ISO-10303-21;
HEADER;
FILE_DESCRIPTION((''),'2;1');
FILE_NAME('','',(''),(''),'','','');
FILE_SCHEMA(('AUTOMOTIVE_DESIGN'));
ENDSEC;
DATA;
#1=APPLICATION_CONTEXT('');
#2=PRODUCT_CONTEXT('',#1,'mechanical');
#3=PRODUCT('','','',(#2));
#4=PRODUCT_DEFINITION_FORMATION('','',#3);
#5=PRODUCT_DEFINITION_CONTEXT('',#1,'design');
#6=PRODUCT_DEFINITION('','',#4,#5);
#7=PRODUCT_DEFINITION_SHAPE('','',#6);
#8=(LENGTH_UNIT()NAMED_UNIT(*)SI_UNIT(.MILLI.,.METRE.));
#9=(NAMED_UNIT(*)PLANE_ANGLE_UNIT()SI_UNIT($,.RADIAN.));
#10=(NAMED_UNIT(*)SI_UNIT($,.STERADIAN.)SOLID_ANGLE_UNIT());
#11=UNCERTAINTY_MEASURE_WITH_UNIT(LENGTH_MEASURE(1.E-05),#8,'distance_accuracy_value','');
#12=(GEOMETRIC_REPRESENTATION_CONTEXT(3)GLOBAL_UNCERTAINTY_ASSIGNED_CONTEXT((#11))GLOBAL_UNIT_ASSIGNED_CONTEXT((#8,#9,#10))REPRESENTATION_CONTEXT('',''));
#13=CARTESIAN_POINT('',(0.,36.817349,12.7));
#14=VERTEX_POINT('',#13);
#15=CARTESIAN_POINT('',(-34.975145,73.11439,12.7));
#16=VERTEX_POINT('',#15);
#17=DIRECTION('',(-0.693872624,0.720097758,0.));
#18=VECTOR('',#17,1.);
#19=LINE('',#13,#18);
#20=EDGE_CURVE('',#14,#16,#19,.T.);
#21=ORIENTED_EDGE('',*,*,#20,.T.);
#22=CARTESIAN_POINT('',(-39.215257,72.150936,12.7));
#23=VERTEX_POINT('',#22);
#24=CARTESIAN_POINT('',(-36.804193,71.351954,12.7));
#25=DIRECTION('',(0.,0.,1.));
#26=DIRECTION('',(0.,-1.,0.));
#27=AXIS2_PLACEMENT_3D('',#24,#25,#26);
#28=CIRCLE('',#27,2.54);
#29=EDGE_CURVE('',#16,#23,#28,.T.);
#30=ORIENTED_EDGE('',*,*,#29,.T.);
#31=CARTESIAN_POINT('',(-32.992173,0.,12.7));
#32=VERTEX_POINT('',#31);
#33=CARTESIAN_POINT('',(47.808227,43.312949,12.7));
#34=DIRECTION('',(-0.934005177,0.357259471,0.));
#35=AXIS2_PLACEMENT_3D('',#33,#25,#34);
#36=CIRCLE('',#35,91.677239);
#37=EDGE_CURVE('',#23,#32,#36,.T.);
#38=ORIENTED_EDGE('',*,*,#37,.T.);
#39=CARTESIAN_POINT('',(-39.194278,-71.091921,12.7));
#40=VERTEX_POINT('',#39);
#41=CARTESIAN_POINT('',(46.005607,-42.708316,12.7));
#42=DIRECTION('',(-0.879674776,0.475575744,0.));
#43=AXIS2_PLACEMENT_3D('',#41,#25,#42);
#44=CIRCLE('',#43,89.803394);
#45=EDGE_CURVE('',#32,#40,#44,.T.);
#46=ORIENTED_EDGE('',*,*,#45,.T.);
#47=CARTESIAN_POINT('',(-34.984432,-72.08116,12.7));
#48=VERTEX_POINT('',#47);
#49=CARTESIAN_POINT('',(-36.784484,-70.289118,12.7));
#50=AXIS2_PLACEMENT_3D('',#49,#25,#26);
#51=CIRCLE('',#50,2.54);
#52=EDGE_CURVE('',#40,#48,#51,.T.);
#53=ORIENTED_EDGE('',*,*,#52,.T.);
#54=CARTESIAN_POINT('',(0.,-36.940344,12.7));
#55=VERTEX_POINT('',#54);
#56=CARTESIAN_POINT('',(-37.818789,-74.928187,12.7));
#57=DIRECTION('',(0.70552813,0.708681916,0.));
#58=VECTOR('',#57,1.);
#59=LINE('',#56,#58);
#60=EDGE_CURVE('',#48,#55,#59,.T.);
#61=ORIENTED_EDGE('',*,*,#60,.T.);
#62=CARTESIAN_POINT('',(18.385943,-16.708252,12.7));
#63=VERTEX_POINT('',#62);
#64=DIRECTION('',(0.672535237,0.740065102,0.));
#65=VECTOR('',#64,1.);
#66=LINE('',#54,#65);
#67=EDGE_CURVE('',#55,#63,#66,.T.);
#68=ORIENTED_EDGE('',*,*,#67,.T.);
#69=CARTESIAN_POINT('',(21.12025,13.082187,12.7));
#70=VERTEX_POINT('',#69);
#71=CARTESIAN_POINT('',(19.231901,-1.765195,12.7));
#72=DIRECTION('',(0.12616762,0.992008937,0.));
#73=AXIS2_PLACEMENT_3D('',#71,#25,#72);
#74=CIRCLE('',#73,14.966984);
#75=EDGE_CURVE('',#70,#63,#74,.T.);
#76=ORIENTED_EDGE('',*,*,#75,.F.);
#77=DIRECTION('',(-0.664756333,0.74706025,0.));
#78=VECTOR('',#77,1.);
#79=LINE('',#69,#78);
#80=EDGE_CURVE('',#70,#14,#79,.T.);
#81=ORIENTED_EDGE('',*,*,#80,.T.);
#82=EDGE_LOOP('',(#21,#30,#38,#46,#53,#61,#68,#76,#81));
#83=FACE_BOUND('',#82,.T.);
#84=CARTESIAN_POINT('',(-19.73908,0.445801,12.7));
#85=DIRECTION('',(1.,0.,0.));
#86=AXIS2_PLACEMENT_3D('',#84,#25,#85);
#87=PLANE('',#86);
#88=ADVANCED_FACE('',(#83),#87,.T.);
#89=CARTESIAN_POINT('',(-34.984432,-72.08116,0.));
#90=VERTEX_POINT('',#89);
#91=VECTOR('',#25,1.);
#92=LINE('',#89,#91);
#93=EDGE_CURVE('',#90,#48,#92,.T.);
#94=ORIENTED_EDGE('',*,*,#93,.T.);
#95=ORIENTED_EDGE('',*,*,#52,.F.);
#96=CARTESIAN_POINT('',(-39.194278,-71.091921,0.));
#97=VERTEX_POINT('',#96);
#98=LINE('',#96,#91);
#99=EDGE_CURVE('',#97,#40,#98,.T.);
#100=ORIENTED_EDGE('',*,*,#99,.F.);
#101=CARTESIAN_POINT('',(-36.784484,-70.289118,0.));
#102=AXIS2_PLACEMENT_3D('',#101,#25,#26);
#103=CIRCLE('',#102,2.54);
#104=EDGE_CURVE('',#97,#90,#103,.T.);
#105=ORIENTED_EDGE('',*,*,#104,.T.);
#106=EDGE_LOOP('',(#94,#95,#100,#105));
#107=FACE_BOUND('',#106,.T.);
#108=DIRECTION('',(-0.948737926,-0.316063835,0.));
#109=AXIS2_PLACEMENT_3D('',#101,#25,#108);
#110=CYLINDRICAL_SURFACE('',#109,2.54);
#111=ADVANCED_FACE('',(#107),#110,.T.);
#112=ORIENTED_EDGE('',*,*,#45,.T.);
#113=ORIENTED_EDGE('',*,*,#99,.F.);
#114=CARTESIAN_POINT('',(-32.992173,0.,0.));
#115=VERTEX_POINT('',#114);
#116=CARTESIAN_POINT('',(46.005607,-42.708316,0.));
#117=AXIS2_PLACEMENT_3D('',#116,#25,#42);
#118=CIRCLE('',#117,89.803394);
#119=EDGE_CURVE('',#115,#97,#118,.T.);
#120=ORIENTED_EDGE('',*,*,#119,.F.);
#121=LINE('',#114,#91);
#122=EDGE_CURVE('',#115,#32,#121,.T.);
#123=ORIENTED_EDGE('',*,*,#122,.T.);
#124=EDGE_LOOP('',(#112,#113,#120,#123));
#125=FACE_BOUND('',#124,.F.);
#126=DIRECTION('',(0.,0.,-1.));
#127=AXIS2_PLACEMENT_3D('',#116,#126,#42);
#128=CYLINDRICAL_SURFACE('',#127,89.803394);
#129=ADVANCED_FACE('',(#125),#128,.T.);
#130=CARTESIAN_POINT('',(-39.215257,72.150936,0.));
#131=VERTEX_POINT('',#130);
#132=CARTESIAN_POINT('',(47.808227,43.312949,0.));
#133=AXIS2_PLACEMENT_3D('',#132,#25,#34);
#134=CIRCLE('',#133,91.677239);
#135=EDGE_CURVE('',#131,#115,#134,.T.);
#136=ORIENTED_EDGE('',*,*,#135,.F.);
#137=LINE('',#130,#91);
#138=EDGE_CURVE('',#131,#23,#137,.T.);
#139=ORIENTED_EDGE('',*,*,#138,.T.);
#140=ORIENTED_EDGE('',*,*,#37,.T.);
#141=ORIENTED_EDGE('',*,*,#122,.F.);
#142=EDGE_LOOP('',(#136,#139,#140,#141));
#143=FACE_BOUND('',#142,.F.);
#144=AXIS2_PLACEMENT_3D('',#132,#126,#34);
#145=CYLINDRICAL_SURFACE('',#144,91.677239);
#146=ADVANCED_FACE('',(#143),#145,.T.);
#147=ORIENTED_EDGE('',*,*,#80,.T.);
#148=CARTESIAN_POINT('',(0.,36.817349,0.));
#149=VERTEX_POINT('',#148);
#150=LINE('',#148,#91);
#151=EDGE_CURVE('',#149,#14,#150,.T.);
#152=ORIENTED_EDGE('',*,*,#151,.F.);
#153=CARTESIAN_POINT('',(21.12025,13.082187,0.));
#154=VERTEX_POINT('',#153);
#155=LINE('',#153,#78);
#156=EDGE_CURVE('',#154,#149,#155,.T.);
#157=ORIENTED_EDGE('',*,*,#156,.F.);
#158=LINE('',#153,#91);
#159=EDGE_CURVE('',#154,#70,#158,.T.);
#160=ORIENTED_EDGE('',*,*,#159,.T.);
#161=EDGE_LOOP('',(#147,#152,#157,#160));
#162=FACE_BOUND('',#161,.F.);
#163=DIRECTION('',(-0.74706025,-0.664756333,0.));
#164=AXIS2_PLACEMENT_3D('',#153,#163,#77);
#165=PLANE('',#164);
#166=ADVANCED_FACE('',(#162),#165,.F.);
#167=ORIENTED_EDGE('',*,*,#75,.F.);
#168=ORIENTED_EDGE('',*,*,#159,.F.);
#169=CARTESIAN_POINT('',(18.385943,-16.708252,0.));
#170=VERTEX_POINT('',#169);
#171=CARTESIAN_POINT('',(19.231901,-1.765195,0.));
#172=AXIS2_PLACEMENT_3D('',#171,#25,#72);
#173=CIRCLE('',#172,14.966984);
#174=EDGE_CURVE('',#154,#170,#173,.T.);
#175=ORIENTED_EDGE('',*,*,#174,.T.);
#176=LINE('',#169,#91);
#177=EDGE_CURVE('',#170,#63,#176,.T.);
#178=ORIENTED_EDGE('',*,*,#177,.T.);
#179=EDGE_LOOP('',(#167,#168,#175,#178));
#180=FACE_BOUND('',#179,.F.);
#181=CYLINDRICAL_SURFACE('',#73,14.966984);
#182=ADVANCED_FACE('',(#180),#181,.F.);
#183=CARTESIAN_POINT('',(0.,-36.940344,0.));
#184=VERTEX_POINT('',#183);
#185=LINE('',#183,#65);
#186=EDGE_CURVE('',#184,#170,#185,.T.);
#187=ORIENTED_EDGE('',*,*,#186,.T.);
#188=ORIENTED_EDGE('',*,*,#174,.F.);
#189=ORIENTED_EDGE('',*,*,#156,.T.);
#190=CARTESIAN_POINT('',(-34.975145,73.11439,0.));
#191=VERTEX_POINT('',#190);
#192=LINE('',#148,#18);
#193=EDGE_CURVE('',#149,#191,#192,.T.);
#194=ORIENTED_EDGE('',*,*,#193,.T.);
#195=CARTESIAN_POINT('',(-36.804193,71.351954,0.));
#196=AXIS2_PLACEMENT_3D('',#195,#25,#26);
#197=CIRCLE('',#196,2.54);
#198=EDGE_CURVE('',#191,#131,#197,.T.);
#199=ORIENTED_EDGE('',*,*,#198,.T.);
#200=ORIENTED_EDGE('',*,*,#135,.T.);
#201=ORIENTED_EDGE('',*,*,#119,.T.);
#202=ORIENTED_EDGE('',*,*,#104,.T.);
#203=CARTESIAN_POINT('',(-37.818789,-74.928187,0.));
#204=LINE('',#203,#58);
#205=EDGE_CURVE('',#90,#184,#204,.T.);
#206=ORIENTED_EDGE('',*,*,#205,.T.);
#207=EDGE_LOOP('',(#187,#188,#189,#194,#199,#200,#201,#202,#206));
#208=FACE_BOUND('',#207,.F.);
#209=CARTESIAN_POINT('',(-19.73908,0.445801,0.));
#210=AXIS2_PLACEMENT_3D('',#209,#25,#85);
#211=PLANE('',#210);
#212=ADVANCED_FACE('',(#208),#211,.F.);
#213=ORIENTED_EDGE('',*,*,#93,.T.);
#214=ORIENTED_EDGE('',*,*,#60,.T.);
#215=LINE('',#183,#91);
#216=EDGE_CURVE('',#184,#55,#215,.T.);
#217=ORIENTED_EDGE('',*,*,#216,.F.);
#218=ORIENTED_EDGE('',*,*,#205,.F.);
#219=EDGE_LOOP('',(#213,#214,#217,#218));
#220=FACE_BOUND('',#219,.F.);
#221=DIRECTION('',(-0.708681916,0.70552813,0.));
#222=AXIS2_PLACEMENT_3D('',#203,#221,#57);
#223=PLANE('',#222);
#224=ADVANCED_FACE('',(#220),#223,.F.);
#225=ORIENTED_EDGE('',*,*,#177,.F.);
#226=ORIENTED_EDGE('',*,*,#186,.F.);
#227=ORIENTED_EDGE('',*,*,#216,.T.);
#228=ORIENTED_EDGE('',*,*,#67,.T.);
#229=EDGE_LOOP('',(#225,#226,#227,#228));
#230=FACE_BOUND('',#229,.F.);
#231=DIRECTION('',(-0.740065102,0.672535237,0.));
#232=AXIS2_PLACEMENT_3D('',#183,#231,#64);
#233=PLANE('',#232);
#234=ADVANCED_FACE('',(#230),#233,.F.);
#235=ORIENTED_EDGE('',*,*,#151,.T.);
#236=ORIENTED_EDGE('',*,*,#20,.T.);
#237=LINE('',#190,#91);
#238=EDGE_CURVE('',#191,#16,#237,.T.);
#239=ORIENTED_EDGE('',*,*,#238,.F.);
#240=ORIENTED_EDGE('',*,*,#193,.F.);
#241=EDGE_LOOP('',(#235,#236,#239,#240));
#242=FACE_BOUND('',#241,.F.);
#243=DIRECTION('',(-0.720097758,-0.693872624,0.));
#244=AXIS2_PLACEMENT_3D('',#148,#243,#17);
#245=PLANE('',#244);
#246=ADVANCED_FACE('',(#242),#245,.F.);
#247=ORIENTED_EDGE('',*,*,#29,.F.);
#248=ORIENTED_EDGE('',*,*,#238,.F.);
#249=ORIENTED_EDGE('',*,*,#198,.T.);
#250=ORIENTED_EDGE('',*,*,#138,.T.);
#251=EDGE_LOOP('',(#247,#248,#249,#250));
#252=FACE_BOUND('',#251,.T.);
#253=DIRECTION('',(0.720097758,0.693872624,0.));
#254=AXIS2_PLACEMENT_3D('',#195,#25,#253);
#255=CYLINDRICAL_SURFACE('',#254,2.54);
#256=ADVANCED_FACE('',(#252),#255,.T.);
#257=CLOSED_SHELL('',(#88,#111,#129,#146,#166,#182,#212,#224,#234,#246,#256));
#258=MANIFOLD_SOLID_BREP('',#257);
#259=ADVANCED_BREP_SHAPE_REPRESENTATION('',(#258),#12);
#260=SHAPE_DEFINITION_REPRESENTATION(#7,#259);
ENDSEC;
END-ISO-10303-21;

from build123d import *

# Parameters (mm, degrees)
F1_DEPTH = 12.7
F2_R     = 2.54
F4_DEPTH = 25.4


with BuildPart() as f1:
    # F0 (on Top) → F1 (new body)
    with BuildSketch(Plane.XY):
        with BuildLine():
            ThreePointArc((18.385943, -16.708252), (24.739692, -2.270726), (21.12025, 13.082187))
            Line((21.12025, 13.082187), (0, 36.817349))
            Line((0, 36.817349), (-37.818789, 76.065511))
            ThreePointArc((-37.818789, 76.065511), (-43.685006, 37.507391), (-32.992173, 0))
            ThreePointArc((-32.992173, 0), (-43.612045, -36.935455), (-37.818789, -74.928187))
            Line((-37.818789, -74.928187), (0, -36.940344))
            Line((0, -36.940344), (18.385943, -16.708252))
        make_face()
    extrude(amount=F1_DEPTH)

    # F2
    f2_edges = [f1.edges().sort_by_distance(p)[0] for p in [
        (-37.818789, -74.928187, 6.35),
        (-37.818789, 76.065511, 6.35),
    ]]
    fillet(f2_edges, radius=F2_R)

    # F3 (on face) → F4 (cut)
    with BuildSketch(Plane.XY.offset(12.7)):
        with BuildLine():
            ThreePointArc((18.385943, -16.708252), (24.739692, -2.270726), (21.12025, 13.082187))
            ThreePointArc((21.12025, 13.082187), (4.327566, -0.397205), (18.385943, -16.708252))
        make_face()
    extrude(amount=-F4_DEPTH, mode=Mode.SUBTRACT)


solid = f1.part
